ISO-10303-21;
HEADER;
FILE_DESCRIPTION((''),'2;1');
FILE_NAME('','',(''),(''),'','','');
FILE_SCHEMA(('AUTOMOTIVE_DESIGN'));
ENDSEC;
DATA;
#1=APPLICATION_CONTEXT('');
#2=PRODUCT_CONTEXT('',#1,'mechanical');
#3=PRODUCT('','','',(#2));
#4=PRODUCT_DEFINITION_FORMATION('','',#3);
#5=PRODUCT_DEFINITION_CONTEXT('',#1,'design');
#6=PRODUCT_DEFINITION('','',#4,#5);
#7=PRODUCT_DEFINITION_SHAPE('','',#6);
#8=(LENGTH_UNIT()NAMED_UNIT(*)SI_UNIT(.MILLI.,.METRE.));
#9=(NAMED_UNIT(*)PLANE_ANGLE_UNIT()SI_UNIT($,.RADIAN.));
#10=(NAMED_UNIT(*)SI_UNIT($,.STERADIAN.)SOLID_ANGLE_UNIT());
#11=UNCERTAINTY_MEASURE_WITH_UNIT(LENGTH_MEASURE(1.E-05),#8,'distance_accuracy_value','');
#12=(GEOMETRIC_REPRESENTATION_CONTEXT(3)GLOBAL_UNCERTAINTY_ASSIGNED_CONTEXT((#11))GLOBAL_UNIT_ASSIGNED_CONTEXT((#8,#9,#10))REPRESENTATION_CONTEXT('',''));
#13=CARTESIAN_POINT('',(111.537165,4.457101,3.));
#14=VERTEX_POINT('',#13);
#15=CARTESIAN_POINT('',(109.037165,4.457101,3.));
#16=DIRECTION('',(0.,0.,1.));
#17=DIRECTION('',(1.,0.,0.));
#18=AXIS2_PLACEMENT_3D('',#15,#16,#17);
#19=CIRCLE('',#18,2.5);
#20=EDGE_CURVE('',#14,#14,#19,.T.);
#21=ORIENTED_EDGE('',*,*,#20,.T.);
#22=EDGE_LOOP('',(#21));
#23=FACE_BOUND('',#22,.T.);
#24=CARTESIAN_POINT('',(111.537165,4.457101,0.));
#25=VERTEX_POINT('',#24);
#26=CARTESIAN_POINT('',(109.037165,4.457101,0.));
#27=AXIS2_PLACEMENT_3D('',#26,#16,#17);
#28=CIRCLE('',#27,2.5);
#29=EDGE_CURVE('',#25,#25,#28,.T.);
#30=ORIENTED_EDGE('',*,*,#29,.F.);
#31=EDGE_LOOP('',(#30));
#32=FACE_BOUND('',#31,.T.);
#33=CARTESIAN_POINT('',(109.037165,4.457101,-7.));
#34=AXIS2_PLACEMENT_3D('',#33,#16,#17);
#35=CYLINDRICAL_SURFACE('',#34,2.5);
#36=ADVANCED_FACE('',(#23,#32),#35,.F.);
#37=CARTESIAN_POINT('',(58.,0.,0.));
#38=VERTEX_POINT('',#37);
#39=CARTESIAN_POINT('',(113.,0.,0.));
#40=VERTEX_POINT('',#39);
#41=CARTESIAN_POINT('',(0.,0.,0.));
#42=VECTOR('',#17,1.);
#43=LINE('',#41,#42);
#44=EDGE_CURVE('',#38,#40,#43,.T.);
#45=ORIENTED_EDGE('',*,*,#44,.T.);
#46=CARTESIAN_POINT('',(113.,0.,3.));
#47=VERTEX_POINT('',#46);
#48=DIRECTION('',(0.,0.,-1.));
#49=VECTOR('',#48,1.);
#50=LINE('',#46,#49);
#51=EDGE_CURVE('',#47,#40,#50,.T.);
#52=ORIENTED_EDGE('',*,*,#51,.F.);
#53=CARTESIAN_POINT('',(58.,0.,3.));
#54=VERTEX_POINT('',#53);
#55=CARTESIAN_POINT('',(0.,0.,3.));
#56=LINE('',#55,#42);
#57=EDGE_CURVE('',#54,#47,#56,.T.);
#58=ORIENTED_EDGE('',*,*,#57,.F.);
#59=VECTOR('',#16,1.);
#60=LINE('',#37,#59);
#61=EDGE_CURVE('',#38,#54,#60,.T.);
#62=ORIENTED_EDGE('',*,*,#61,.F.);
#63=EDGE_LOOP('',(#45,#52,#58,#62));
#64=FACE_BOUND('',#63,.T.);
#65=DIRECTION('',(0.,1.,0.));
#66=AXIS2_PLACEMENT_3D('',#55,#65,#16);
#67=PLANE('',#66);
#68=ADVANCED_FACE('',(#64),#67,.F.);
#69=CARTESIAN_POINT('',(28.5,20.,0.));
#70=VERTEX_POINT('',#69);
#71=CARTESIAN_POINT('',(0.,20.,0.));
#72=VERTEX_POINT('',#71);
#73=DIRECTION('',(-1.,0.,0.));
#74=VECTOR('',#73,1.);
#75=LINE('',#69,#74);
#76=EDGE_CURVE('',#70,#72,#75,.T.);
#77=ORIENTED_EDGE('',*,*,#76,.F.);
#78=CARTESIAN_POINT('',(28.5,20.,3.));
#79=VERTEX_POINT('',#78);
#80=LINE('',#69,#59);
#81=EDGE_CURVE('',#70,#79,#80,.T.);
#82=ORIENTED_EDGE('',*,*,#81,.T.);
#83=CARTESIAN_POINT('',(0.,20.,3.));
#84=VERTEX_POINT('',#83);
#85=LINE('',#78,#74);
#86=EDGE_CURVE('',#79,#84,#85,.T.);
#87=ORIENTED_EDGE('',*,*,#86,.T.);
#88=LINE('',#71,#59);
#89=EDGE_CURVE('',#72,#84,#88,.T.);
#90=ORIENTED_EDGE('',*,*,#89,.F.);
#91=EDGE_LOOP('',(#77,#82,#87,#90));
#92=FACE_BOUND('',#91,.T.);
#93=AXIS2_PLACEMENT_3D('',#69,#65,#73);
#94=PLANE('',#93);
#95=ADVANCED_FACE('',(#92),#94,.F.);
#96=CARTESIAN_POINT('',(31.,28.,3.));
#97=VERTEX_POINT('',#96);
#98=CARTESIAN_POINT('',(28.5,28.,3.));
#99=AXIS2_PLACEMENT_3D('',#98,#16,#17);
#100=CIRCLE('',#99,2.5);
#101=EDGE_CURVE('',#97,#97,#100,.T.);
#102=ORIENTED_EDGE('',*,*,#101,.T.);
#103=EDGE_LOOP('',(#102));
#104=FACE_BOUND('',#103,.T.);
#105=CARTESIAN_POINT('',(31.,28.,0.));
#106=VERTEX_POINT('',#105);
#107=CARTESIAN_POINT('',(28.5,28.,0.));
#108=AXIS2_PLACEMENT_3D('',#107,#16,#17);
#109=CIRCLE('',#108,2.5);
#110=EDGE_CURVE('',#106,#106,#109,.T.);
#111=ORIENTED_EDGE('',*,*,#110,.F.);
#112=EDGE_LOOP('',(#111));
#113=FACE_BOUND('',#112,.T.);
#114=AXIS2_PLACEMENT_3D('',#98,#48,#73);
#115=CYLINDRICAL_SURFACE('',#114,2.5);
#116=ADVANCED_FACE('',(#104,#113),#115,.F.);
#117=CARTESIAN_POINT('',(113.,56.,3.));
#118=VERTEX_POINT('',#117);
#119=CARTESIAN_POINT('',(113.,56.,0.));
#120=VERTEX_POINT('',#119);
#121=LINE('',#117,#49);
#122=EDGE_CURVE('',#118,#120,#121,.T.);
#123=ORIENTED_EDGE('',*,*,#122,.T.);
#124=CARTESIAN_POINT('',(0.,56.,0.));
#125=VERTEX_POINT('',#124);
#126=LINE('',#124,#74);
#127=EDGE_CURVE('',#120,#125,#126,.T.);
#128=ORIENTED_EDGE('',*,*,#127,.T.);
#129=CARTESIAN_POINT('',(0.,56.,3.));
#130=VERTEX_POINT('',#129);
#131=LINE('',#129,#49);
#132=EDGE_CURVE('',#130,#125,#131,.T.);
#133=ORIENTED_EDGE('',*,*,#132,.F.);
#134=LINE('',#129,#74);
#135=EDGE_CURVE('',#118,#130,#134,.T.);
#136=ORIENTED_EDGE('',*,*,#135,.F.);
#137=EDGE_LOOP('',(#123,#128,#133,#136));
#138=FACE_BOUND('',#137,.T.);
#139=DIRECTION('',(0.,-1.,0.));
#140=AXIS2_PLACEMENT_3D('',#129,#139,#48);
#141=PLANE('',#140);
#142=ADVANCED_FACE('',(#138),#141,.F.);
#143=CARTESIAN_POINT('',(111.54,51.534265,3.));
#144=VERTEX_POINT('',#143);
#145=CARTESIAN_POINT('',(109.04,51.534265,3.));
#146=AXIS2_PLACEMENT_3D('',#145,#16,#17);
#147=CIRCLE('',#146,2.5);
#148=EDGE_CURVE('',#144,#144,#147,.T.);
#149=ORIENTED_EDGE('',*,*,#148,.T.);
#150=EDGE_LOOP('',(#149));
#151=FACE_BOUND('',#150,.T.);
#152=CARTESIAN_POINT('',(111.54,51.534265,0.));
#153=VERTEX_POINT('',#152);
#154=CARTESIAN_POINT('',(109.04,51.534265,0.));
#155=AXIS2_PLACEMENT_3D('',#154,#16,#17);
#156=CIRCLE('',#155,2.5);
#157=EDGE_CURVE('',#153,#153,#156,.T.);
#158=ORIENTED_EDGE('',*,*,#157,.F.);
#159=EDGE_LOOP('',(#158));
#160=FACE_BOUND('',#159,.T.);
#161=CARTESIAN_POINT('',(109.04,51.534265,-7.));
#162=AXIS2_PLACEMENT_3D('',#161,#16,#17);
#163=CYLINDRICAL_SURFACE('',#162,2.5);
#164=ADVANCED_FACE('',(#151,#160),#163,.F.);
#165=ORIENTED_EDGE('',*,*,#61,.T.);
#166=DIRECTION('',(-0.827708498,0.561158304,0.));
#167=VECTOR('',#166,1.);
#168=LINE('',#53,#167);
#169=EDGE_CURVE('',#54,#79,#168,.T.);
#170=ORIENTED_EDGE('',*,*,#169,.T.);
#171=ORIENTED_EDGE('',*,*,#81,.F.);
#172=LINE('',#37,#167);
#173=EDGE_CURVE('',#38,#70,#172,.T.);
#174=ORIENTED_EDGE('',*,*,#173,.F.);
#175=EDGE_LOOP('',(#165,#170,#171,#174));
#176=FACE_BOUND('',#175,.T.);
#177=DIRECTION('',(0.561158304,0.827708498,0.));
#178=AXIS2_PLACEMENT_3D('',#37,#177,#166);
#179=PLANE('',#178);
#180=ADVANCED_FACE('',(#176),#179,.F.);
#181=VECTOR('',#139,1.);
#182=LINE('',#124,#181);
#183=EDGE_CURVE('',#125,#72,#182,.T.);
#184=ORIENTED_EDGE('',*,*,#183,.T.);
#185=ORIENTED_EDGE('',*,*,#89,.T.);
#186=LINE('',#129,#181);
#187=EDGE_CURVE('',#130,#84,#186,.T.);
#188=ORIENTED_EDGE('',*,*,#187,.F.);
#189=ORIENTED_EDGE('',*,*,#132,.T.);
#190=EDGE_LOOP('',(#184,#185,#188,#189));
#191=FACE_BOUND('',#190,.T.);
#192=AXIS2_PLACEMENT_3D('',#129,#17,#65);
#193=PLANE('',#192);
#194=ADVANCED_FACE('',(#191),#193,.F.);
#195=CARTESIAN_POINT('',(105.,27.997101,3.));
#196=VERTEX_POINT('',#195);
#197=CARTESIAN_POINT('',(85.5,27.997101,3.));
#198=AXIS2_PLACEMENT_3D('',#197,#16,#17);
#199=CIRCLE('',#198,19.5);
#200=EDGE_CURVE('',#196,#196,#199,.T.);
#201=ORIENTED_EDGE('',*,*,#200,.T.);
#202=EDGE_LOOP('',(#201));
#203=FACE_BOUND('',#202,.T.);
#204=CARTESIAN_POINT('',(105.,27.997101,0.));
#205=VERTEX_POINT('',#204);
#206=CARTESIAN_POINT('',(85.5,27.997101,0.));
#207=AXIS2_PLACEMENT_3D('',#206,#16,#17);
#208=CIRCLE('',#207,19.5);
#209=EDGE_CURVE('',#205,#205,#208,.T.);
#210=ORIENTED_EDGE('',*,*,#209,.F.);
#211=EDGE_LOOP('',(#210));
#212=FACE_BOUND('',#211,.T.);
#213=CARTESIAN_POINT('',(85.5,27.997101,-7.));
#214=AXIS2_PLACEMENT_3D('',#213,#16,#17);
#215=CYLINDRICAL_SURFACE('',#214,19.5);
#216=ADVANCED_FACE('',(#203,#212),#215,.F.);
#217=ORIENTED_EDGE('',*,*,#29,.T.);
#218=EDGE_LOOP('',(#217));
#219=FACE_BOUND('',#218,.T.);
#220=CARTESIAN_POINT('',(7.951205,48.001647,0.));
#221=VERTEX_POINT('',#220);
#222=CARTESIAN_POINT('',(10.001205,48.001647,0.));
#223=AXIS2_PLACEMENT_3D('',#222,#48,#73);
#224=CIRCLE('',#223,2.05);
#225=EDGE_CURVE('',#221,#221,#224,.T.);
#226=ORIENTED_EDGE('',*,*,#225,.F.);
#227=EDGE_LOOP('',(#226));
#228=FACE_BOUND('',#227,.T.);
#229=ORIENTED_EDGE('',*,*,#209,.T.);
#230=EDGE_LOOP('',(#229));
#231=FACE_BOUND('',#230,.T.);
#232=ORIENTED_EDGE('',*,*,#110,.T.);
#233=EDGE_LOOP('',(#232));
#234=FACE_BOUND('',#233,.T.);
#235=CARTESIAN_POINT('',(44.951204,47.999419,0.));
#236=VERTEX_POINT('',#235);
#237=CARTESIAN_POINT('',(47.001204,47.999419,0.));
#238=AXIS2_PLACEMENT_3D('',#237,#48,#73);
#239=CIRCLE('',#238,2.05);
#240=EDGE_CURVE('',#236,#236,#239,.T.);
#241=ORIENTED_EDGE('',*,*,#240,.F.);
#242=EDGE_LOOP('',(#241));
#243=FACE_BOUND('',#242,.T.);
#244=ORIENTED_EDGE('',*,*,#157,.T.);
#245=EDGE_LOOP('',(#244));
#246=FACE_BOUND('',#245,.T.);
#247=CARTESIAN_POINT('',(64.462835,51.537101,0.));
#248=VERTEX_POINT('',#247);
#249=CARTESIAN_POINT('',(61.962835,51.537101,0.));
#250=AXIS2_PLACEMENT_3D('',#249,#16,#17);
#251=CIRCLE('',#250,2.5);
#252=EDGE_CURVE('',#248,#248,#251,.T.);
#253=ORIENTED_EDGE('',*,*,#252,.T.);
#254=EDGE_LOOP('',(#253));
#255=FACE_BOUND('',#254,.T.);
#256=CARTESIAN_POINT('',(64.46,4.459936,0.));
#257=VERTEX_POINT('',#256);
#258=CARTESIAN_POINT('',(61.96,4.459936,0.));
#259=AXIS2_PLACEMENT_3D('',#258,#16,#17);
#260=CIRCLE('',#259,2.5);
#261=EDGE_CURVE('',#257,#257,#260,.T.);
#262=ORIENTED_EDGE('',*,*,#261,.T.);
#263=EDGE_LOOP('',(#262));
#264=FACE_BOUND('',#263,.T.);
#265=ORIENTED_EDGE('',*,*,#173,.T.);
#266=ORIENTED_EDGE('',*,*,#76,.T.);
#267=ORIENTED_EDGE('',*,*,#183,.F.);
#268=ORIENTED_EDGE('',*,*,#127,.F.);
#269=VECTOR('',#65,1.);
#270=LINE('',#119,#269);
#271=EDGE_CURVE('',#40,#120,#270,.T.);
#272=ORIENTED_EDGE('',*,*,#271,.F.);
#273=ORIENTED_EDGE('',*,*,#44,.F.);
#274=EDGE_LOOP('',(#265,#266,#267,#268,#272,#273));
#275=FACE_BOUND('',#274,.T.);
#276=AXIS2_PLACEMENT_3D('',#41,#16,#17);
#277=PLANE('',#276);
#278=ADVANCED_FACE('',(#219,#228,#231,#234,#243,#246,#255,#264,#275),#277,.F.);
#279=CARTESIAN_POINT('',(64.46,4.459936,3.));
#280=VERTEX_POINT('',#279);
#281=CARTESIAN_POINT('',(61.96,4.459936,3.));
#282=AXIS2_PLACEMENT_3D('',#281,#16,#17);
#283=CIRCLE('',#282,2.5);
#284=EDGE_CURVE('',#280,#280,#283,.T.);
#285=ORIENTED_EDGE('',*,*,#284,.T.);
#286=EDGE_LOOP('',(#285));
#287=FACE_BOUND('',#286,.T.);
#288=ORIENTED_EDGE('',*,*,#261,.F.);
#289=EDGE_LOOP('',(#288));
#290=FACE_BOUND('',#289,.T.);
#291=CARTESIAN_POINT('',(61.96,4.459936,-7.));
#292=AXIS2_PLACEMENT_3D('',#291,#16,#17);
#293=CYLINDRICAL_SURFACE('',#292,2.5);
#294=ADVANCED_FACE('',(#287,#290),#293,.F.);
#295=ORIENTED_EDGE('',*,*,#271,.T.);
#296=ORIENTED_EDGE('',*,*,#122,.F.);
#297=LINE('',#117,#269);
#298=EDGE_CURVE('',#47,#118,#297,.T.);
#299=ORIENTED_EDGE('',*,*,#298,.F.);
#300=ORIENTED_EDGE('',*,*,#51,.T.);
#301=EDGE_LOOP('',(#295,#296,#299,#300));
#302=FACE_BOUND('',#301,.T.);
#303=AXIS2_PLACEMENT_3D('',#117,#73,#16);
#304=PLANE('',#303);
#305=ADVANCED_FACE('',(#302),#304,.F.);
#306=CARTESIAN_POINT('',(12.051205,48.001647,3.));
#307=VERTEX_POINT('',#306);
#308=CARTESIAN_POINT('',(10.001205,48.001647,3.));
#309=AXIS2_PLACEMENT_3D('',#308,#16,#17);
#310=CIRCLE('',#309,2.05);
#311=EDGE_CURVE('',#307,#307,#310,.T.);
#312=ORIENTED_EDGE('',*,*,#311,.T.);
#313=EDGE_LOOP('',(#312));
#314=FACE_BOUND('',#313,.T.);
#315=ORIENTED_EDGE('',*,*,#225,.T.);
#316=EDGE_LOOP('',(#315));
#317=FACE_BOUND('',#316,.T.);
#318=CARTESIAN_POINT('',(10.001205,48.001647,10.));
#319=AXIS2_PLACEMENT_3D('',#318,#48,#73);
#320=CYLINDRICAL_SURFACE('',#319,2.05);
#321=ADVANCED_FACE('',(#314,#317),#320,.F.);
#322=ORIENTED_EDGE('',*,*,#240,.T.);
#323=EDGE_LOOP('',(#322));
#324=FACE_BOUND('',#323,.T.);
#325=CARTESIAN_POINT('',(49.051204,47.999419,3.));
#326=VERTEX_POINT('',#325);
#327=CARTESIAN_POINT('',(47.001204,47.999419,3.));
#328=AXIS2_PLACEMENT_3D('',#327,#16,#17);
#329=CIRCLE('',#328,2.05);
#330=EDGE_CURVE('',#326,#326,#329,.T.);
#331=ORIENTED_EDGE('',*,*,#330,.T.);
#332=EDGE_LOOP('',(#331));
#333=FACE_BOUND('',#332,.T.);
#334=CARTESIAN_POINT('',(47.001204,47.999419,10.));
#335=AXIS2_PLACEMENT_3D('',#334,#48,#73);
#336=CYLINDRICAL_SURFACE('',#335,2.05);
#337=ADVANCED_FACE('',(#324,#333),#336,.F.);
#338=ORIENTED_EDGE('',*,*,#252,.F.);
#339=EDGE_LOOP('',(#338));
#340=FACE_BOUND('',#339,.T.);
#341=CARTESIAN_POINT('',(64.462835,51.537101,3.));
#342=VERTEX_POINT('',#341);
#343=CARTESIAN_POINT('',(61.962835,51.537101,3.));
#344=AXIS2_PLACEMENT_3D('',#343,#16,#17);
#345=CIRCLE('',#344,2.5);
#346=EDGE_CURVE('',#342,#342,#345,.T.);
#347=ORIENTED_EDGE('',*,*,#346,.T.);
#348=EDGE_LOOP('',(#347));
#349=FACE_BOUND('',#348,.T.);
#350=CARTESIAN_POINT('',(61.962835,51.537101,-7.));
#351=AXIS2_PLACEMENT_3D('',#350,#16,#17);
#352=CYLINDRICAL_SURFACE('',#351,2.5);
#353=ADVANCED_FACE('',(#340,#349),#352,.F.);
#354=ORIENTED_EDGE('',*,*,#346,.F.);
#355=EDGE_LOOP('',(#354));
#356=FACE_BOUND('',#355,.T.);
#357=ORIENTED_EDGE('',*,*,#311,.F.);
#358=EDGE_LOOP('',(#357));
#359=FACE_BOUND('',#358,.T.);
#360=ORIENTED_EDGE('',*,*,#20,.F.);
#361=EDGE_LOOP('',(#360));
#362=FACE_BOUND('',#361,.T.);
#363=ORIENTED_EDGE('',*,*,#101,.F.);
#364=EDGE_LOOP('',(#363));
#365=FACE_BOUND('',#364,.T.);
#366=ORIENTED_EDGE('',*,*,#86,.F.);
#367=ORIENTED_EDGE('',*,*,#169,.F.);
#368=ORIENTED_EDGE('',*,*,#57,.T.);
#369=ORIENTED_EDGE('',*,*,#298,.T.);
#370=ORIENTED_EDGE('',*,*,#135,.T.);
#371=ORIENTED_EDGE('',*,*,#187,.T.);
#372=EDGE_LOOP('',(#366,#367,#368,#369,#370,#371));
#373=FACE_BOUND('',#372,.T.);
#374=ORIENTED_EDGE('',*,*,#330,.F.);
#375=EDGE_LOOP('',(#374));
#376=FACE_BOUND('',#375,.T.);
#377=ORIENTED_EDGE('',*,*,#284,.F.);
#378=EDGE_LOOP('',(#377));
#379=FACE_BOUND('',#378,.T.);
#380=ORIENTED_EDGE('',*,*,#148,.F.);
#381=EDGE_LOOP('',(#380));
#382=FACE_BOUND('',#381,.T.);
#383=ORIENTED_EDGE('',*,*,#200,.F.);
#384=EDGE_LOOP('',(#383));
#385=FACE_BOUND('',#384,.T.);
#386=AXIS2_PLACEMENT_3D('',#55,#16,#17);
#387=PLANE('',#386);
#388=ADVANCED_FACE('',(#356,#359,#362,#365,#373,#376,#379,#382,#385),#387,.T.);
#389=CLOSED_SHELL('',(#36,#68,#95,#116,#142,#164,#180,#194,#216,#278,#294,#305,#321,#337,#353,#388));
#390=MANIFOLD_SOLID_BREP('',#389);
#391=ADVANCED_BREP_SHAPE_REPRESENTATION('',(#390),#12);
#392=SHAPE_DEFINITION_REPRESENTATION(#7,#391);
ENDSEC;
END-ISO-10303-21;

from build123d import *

# Parameters (mm, degrees)
SKETCH1_W           = 113
SKETCH1_H           = 56
SKETCH1_R           = 2.5
BOSS_EXTRUDE1_DEPTH = 3
CUT_EXTRUDE1_DEPTH  = 3
SKETCH3_R           = 2.05
CUT_EXTRUDE2_DEPTH  = 10
SKETCH5_R           = 19.5
SKETCH5_R_2         = 2.5
CUT_EXTRUDE4_DEPTH  = 10


with BuildPart() as part:
    # Sketch1 → Boss-Extrude1 (new body)
    with BuildSketch(Plane.XY):
        with Locations((56.5, 28)):
            Rectangle(SKETCH1_W, SKETCH1_H)
        with Locations((28.5, 28)):
            Circle(SKETCH1_R, mode=Mode.SUBTRACT)
    extrude(amount=BOSS_EXTRUDE1_DEPTH)

    # Sketch2 → Cut-Extrude1 (cut)
    with BuildSketch(Plane.XY.offset(3)):
        Polygon((58, 0), (28.5, 20), (0, 20), (0, 28), (-30.035464335, 6.528850882), (11.479915888, -13.732243772), align=None)
    extrude(amount=-CUT_EXTRUDE1_DEPTH, mode=Mode.SUBTRACT)

    # Sketch3 → Cut-Extrude2 (cut)
    with BuildSketch(Plane(origin=(0, 0, 0), x_dir=(-1, 0, 0), z_dir=(0, 0, -1))):
        with Locations((-47.001204436, 47.999419281)):
            Circle(SKETCH3_R)
        with Locations((-10.001204503, 48.001647488)):
            Circle(SKETCH3_R)
    extrude(amount=-CUT_EXTRUDE2_DEPTH, mode=Mode.SUBTRACT)

    # Sketch5 → Cut-Extrude4 (cut)
    with BuildSketch(Plane.XY.offset(3)):
        with Locations((85.499999929, 27.997100776)):
            Circle(SKETCH5_R)
        with Locations((109.039999656, 51.534265429)):
            Circle(SKETCH5_R_2)
        with Locations((61.962835275, 51.537100503)):
            Circle(SKETCH5_R_2)
        with Locations((109.037164582, 4.457101048)):
            Circle(SKETCH5_R_2)
        with Locations((61.960000201, 4.459936122)):
            Circle(SKETCH5_R_2)
    extrude(amount=-CUT_EXTRUDE4_DEPTH, mode=Mode.SUBTRACT)


solid = part.part
